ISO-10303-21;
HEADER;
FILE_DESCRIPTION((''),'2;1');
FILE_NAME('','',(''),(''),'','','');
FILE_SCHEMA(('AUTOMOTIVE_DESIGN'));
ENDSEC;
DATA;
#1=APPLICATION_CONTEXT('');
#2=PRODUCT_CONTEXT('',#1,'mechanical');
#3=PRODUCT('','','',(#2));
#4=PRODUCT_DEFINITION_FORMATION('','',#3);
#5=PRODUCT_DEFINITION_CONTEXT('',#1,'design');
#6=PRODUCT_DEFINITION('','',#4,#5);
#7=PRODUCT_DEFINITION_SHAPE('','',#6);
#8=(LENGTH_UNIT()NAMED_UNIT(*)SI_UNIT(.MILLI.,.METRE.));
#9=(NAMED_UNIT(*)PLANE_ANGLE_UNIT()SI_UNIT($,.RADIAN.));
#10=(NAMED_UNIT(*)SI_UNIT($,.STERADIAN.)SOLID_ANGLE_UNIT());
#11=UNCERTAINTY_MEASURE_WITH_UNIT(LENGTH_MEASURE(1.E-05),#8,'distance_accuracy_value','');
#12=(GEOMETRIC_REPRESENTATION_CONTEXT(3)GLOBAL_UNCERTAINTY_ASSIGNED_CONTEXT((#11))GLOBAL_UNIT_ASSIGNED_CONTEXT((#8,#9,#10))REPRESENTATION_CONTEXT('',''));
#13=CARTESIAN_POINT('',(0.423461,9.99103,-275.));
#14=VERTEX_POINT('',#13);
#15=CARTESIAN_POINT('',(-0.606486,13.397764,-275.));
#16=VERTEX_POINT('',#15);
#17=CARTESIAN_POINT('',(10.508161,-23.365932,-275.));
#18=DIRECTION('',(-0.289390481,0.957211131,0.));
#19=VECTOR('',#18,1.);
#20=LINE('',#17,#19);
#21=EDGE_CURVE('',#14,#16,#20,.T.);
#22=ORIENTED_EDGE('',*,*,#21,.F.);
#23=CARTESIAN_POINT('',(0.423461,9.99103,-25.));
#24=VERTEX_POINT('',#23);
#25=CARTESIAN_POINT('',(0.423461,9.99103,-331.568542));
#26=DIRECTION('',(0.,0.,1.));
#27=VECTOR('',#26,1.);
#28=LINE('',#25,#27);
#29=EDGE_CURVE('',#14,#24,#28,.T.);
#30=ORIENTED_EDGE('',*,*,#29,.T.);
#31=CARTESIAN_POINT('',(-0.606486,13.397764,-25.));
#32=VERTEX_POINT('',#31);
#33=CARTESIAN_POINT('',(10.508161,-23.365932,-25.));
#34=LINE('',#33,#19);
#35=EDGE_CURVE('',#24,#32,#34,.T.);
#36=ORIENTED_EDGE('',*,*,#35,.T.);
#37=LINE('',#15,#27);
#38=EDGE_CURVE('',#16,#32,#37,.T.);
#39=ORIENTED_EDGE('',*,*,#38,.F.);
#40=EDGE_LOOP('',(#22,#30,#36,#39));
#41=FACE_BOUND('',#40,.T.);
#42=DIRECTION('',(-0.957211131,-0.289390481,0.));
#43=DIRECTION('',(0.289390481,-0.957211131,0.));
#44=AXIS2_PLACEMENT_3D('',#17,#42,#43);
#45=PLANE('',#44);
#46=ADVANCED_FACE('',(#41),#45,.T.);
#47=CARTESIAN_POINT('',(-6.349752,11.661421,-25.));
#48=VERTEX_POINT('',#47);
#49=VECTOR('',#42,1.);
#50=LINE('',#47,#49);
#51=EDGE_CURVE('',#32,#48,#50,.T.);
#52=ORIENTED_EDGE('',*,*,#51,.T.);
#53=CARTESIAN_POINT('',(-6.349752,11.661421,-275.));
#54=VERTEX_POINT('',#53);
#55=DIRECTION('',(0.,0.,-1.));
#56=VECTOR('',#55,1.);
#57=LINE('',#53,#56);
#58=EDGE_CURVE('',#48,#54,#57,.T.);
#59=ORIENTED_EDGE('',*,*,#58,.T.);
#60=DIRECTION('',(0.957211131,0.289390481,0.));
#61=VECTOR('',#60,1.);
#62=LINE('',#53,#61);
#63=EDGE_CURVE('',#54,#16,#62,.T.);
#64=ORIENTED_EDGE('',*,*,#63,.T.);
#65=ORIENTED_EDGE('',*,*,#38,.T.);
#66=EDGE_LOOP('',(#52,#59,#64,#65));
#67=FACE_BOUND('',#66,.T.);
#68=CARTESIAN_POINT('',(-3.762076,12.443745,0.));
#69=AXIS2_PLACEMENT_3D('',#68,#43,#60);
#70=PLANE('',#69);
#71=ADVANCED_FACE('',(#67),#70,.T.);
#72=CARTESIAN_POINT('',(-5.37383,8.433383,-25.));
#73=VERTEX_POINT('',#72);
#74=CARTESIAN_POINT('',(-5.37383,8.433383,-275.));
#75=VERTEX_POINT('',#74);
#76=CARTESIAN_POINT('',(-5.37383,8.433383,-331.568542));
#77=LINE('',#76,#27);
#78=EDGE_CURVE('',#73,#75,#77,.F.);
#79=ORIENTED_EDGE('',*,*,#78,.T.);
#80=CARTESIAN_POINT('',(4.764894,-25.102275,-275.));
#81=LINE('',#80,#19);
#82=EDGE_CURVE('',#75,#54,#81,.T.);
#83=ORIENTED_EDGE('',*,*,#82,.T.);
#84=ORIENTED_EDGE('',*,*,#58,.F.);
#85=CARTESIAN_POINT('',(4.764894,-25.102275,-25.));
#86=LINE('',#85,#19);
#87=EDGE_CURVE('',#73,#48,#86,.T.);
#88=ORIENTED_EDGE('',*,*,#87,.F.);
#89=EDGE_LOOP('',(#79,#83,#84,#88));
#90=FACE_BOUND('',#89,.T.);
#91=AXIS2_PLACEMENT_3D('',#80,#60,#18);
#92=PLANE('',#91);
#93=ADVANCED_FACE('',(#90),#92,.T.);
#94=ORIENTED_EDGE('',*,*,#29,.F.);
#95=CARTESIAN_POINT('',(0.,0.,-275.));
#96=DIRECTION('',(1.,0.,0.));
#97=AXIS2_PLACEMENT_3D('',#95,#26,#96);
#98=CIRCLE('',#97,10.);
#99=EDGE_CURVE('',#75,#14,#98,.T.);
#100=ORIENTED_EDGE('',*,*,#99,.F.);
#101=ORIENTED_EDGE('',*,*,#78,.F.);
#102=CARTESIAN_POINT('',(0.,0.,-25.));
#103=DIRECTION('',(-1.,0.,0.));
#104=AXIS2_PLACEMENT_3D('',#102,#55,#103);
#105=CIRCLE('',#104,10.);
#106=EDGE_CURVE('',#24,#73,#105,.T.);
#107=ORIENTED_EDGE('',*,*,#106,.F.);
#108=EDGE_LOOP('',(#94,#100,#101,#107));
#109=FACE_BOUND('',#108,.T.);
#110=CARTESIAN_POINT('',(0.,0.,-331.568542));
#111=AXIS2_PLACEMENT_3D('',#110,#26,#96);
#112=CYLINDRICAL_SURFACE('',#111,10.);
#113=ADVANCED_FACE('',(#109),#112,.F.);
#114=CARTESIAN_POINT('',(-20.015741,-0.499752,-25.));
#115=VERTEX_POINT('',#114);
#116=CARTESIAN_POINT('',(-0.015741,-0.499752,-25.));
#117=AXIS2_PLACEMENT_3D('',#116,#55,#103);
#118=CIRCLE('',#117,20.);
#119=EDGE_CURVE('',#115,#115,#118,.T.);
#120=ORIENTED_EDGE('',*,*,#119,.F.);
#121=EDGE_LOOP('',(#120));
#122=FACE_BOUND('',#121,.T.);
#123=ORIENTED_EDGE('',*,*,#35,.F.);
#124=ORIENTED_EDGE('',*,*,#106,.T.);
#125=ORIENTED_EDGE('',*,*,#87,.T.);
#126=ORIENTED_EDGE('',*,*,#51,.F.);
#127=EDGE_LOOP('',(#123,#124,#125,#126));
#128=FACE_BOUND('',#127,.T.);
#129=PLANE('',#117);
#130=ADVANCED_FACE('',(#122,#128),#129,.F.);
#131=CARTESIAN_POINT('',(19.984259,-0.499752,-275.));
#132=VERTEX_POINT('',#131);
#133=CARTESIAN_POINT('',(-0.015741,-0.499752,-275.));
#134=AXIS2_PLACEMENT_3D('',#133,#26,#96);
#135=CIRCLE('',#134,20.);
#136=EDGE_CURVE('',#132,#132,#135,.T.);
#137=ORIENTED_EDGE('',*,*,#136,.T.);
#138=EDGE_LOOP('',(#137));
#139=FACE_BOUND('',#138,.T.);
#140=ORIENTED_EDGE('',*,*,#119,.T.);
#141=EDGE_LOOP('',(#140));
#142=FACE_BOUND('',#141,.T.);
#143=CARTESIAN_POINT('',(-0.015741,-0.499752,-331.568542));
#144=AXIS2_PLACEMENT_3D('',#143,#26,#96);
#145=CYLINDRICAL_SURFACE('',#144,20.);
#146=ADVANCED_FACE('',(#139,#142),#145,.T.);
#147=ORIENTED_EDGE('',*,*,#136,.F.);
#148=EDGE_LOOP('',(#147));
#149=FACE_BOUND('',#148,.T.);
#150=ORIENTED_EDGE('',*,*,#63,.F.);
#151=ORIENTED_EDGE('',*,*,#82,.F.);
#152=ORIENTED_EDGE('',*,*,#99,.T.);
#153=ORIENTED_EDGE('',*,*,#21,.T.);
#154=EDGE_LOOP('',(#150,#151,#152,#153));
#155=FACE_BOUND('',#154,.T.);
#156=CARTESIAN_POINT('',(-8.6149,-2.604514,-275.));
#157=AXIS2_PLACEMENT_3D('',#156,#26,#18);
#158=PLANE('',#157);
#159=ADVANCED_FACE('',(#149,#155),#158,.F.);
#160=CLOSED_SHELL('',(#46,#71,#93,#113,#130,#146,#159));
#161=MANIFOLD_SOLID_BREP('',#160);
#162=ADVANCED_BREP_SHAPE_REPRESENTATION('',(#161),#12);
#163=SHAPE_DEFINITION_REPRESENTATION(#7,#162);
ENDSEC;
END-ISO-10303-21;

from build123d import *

# Parameters (mm, degrees)
EXTRUDE_START            = -275
SKETCH_1_R               = 20
SKETCH_1_R_2             = 10
EXTRUDE_1_DEPTH          = 250
CUT_EXTRUDE_1_REACH      = 282.584
CUT_EXTRUDE_1_END_RADIUS = 10
CUT_EXTRUDE_START        = -3
SKETCH_2_W               = 250
SKETCH_2_H               = 6


with BuildPart() as part:
    # 草圖1 → 填料-伸長1 (new body)
    with BuildSketch(Plane.XY.offset(EXTRUDE_START)):
        with Locations((-0.015741253, -0.499752152)):
            Circle(SKETCH_1_R)
        Circle(SKETCH_1_R_2, mode=Mode.SUBTRACT)
    extrude(amount=EXTRUDE_1_DEPTH)

    # 除料-伸長1: up to this cylinder (the profile starts outside it)
    cut_extrude_1_end = Plane(origin=(0, 0, -150), z_dir=(0, 0, 1)) * Cylinder(CUT_EXTRUDE_1_END_RADIUS, 586.168, mode=Mode.PRIVATE)
    # 草圖2 → 除料-伸長1 (cut, up to the surface)
    with BuildSketch(Plane(origin=(-2.893904806, 9.572111312, 0), x_dir=(0, 0, 1), z_dir=(0.28939048064098244, -0.9572111312110727, 0)).offset(CUT_EXTRUDE_START), mode=Mode.PRIVATE) as cut_extrude_1_sk1:
        with Locations((-150, -0.296650626)):
            Rectangle(SKETCH_2_W, SKETCH_2_H)
    cut_extrude_1_tool1 = extrude(cut_extrude_1_sk1.sketch, amount=CUT_EXTRUDE_1_REACH, mode=Mode.PRIVATE) - cut_extrude_1_end
    add(cut_extrude_1_tool1.solids().sort_by_distance((-3.478119, 12.529593, -150))[0], mode=Mode.SUBTRACT)


solid = part.part
